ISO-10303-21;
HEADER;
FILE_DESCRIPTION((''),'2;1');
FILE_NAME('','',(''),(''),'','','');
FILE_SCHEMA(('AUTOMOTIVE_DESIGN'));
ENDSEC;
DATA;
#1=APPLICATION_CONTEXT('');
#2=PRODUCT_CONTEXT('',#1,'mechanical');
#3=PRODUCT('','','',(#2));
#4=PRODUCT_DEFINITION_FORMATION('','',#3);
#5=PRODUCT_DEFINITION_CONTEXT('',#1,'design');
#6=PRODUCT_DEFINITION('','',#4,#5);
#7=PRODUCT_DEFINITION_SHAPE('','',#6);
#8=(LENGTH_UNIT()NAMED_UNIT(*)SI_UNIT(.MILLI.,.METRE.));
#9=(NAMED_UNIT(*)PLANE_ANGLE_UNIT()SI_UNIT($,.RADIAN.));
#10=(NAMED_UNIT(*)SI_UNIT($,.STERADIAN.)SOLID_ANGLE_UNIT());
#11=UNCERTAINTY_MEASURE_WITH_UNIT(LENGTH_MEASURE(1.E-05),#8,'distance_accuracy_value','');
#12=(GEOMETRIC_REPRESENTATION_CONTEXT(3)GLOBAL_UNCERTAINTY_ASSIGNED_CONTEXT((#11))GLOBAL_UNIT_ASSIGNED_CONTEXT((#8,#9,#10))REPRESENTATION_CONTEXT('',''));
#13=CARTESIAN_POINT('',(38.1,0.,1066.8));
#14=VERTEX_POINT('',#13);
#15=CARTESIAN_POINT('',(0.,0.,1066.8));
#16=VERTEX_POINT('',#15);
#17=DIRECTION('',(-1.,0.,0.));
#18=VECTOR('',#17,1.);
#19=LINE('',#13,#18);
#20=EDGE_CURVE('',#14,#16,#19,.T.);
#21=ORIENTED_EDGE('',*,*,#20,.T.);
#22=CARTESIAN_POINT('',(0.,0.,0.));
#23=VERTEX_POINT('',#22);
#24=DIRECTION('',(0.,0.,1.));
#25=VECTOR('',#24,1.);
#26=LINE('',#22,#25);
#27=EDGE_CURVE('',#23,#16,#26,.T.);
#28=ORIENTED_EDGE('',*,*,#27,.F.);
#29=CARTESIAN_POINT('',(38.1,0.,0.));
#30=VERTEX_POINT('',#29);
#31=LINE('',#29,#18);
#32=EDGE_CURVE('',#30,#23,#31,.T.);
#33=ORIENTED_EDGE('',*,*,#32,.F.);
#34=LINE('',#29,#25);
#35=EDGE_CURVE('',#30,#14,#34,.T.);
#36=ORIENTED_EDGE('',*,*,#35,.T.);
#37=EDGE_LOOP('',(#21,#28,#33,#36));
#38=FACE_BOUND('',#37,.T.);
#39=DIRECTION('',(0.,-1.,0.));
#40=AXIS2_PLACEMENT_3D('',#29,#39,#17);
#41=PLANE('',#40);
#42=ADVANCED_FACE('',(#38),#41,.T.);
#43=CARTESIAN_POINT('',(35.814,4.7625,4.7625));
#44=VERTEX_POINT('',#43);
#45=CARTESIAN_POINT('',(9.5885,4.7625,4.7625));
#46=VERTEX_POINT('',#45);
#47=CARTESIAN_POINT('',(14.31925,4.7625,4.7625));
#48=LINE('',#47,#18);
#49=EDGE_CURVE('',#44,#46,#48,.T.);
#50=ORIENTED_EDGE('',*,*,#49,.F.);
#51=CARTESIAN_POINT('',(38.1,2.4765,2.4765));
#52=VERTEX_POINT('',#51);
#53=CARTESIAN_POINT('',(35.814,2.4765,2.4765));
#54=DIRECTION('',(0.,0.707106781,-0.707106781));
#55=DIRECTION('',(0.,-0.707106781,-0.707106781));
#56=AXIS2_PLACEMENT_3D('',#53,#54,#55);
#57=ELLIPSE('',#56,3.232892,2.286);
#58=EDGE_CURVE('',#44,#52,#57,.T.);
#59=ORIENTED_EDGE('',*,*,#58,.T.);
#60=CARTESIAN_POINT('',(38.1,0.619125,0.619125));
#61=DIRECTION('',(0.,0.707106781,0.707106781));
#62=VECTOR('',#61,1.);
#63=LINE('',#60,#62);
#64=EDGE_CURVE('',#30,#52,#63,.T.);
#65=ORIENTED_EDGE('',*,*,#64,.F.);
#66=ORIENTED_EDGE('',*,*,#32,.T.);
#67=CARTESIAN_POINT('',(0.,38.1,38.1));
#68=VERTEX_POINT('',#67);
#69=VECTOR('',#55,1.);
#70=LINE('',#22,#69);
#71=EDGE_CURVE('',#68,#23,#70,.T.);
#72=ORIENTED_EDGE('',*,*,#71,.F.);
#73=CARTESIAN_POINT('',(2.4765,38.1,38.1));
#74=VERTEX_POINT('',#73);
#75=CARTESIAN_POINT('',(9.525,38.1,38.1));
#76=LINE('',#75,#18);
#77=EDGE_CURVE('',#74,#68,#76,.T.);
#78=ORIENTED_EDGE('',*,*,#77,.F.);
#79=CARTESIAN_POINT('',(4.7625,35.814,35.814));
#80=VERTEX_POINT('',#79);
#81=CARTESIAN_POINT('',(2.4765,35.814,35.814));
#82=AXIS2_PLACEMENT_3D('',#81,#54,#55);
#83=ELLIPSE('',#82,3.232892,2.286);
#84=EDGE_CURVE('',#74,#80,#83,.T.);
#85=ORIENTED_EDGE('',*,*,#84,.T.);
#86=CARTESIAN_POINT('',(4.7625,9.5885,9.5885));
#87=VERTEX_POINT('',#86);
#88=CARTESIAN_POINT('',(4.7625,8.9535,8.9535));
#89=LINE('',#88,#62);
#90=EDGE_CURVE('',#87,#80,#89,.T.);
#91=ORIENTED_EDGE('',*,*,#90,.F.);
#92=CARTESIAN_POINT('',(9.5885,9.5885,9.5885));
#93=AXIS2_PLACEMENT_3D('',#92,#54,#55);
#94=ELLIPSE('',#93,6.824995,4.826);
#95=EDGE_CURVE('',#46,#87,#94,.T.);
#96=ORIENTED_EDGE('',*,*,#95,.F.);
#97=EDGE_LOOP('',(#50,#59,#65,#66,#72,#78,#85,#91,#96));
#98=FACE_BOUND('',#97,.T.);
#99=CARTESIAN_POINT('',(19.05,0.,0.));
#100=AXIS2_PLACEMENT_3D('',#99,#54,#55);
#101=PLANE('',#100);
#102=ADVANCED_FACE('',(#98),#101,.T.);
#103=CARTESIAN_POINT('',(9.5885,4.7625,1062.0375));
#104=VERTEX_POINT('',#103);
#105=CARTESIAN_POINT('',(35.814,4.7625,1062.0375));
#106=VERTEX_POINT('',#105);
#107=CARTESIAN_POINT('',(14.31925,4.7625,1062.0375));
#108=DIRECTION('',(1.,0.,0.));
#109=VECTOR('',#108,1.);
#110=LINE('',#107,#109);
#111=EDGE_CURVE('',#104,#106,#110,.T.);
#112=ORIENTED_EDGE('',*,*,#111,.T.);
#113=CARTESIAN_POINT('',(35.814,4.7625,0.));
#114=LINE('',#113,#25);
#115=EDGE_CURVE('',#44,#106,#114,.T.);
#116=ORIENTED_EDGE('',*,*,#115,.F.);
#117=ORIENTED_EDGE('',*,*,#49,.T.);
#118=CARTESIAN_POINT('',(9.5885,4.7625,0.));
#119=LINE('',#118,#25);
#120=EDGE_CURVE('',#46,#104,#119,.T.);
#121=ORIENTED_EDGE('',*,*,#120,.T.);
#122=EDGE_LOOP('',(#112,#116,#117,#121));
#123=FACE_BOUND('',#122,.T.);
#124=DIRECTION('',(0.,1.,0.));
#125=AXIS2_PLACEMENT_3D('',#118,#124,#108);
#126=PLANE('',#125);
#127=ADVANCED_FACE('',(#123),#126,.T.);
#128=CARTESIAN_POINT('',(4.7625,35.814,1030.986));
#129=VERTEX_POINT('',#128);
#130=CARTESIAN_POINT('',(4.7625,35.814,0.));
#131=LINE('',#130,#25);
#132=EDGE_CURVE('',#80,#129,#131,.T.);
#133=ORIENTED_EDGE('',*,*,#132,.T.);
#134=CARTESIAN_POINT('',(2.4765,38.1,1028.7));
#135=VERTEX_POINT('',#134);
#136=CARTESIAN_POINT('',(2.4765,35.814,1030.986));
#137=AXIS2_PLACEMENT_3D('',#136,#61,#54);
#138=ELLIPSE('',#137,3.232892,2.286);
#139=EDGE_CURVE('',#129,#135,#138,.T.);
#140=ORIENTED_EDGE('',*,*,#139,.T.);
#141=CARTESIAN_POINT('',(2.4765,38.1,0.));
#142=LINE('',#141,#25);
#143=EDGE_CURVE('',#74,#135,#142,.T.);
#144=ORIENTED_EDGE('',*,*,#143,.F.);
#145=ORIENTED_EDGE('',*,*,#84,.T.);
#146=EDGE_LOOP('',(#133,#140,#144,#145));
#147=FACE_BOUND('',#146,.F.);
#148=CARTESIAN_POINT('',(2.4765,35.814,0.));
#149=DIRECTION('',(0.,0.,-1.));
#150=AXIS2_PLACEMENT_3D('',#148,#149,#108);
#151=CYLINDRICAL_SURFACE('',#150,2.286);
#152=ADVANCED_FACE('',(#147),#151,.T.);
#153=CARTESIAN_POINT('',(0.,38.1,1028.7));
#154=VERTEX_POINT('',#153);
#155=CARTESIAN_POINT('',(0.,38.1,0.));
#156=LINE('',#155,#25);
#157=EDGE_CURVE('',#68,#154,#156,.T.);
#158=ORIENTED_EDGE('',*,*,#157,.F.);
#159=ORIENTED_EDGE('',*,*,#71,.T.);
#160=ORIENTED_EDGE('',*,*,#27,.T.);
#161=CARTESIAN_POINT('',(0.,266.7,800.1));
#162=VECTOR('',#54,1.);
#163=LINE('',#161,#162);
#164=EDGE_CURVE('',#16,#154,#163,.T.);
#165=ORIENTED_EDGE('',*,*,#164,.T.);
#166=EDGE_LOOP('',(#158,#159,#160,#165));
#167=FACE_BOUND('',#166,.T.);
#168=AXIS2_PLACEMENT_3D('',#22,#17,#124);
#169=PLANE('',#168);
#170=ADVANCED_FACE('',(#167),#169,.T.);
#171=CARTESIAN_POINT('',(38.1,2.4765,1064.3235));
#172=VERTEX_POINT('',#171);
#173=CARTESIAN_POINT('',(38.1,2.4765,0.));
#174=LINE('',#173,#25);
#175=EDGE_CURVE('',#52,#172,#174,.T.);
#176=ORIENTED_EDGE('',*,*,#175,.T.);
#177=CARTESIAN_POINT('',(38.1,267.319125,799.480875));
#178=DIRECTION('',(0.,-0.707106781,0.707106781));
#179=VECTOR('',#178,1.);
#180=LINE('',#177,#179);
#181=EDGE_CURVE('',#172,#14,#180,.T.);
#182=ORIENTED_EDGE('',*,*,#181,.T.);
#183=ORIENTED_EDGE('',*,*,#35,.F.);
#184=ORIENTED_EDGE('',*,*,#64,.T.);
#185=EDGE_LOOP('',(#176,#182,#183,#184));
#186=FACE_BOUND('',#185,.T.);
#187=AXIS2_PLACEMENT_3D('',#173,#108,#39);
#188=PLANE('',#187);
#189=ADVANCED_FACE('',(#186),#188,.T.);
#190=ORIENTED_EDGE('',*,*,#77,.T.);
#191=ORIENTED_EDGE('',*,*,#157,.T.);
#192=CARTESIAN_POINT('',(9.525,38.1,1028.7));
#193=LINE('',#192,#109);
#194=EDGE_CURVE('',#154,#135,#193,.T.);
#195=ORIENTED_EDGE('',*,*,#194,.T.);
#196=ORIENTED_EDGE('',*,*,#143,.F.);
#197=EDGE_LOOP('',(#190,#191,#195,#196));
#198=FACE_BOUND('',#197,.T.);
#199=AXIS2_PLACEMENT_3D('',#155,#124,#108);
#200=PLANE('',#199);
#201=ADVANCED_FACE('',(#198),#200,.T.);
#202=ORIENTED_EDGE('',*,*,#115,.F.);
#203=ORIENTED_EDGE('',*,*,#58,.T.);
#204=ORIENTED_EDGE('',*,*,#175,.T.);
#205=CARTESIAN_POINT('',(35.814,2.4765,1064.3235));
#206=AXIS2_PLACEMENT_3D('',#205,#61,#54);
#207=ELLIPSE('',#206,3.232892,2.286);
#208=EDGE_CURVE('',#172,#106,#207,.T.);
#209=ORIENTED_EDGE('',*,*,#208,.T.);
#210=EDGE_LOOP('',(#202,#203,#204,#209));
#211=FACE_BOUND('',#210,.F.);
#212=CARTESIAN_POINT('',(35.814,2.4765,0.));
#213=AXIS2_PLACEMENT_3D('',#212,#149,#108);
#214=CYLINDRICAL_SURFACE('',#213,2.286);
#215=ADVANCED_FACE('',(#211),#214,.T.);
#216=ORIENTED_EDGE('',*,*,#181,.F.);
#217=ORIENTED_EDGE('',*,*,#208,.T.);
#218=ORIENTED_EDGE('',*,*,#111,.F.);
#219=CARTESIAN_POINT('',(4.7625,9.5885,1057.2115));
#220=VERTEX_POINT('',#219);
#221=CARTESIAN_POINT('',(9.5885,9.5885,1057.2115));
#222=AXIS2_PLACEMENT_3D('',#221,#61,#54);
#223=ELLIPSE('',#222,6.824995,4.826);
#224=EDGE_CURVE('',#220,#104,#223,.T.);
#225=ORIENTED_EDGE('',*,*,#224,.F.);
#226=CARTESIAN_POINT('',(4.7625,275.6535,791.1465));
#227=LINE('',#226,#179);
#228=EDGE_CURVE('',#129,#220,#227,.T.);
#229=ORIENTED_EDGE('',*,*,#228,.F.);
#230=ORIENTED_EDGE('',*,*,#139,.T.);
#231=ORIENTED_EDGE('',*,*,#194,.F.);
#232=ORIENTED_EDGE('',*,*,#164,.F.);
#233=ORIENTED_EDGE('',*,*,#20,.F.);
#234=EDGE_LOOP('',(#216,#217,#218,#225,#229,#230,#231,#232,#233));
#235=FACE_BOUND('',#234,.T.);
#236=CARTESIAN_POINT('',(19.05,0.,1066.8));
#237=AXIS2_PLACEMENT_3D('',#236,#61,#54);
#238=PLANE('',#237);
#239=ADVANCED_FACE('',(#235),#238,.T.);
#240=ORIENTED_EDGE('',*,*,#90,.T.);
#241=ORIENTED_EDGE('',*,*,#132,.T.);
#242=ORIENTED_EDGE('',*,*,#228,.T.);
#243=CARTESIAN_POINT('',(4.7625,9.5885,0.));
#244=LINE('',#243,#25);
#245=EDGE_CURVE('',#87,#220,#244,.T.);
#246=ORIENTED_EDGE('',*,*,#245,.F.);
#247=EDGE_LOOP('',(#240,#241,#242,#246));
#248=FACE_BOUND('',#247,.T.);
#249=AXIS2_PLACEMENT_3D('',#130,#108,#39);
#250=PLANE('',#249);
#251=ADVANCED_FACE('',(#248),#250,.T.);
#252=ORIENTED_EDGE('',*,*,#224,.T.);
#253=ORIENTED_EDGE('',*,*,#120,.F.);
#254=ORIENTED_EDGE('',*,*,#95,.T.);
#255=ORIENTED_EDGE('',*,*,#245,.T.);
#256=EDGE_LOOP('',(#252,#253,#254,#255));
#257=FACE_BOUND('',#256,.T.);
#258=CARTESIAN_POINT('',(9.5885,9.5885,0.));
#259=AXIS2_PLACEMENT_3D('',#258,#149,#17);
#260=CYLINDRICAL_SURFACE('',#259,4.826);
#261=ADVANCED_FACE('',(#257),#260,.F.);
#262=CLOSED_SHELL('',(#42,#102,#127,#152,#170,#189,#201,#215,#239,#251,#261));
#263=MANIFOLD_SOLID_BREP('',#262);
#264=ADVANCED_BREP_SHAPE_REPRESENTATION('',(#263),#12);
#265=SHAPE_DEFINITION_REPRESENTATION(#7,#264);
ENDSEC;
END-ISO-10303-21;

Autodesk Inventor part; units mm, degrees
ref_plane "Start plane" through (0, 0, 0) normal (0, 0, 1) x (1, 0, 0)
ref_plane "End plane" through (0, 0, 1066.8) normal (0, 0, 1) x (1, 0, 0)
sketch "Sketch" plane through (0, 0, 0) normal (0, 0, 1) x (1, 0, 0)
  line L0 (38.1, 0) -> (0, 0)
  line L1 (0, 0) -> (0, 38.1)
  line L2 (0, 38.1) -> (2.4765, 38.1)
  line L3 (4.7625, 35.814) -> (4.7625, 9.5885)
  line L4 (9.5885, 4.7625) -> (35.814, 4.7625)
  line L5 (38.1, 2.4765) -> (38.1, 0)
  line L6 (0, -11.0414) -> (0, 31.5385) construction
  line L7 (-11.0414, 0) -> (31.5385, 0) construction
  arc A0 (4.7625, 9.5885) -> (9.5885, 4.7625) centre (9.5885, 9.5885) ccw
  arc A1 (4.7625, 35.814) -> (2.4765, 38.1) centre (2.4765, 35.814) ccw
  arc A2 (38.1, 2.4765) -> (35.814, 4.7625) centre (35.814, 2.4765) ccw
  line L8 (0, 48.4964) -> (0, -20.9644) construction
  line L9 (-20.9644, 0) -> (48.4964, 0) construction
  point P0 (4.7625, 38.1)
  point P1 (4.7625, 4.7625)
  point P2 (38.1, 4.7625)
  dimension "d0" = 38.1
  dimension "d1" = 38.1
  dimension "d2" = 4.7625
  dimension "d3" = 4.7625
  dimension "d10" = 0
  dimension "d11" = 0
  dimension "d14" = 4.826
  dimension "d15" = 2.286
extrude "Body" add sketch "Sketch" along normal up to surface (1066.8 mm away) from surface at 0
sketch "Sketch3" plane through (0, 0, 0) normal (0, 0, 1) x (1, 0, 0)
  line L0 (0, 0) -> (10, 0)
ref_plane "Work Plane3" through (0, 0, 0) normal (0, -1, 0) x (1, 0, 0)
sketch "Sketch4" plane through (0, 0, 0) normal (0, -1, 0) x (1, 0, 0)
  line L0 (-2, 0) -> (12, 0)
  line L1 (-2, 1066.8) -> (12, 1066.8)
  dimension "d17" = 1066.8
ref_plane "Work Plane4" through (19.05, 0, 1066.8) normal (0, 0.7071, 0.7071) x (1, 0, 0)
split "Split1" plane through (19.05, 0, 1066.8) removes the side toward (0, 0.7071, 0.7071)
ref_plane "Work Plane5" through (19.05, 0, 0) normal (0, 0.7071, -0.7071) x (1, 0, 0)
split "Split2" plane through (19.05, 0, 0) removes the side toward (0, 0.7071, -0.7071)
equation "\"d0\" = G_H"
equation "\"d1\" = G_H"
equation "\"d2\" = G_T"
equation "\"d3\" = G_T"
equation "\"d14\" = G_IR"
equation "\"d15\" = G_ER"
equation "\"d4\" = G_L"
equation "\"G_H\" = 38.1"
equation "\"G_T\" = 4.7625"
equation "\"G_ER\" = 2.286"
equation "\"G_IR\" = 4.826"
equation "\"G_L\" = d17"
equation "\"ex\" = 0"
equation "\"G_OFFSET_START\" = 0"
equation "\"G_OFFSET_END\" = 0"
equation "\"d13\" = G_OFFSET_END + B_L"
equation "\"B_L\" = 1066.8"
properties part number "AISC - L 1.5 x 1.5 x 3/16 - 42" material "Aluminum 6061-AHC"
